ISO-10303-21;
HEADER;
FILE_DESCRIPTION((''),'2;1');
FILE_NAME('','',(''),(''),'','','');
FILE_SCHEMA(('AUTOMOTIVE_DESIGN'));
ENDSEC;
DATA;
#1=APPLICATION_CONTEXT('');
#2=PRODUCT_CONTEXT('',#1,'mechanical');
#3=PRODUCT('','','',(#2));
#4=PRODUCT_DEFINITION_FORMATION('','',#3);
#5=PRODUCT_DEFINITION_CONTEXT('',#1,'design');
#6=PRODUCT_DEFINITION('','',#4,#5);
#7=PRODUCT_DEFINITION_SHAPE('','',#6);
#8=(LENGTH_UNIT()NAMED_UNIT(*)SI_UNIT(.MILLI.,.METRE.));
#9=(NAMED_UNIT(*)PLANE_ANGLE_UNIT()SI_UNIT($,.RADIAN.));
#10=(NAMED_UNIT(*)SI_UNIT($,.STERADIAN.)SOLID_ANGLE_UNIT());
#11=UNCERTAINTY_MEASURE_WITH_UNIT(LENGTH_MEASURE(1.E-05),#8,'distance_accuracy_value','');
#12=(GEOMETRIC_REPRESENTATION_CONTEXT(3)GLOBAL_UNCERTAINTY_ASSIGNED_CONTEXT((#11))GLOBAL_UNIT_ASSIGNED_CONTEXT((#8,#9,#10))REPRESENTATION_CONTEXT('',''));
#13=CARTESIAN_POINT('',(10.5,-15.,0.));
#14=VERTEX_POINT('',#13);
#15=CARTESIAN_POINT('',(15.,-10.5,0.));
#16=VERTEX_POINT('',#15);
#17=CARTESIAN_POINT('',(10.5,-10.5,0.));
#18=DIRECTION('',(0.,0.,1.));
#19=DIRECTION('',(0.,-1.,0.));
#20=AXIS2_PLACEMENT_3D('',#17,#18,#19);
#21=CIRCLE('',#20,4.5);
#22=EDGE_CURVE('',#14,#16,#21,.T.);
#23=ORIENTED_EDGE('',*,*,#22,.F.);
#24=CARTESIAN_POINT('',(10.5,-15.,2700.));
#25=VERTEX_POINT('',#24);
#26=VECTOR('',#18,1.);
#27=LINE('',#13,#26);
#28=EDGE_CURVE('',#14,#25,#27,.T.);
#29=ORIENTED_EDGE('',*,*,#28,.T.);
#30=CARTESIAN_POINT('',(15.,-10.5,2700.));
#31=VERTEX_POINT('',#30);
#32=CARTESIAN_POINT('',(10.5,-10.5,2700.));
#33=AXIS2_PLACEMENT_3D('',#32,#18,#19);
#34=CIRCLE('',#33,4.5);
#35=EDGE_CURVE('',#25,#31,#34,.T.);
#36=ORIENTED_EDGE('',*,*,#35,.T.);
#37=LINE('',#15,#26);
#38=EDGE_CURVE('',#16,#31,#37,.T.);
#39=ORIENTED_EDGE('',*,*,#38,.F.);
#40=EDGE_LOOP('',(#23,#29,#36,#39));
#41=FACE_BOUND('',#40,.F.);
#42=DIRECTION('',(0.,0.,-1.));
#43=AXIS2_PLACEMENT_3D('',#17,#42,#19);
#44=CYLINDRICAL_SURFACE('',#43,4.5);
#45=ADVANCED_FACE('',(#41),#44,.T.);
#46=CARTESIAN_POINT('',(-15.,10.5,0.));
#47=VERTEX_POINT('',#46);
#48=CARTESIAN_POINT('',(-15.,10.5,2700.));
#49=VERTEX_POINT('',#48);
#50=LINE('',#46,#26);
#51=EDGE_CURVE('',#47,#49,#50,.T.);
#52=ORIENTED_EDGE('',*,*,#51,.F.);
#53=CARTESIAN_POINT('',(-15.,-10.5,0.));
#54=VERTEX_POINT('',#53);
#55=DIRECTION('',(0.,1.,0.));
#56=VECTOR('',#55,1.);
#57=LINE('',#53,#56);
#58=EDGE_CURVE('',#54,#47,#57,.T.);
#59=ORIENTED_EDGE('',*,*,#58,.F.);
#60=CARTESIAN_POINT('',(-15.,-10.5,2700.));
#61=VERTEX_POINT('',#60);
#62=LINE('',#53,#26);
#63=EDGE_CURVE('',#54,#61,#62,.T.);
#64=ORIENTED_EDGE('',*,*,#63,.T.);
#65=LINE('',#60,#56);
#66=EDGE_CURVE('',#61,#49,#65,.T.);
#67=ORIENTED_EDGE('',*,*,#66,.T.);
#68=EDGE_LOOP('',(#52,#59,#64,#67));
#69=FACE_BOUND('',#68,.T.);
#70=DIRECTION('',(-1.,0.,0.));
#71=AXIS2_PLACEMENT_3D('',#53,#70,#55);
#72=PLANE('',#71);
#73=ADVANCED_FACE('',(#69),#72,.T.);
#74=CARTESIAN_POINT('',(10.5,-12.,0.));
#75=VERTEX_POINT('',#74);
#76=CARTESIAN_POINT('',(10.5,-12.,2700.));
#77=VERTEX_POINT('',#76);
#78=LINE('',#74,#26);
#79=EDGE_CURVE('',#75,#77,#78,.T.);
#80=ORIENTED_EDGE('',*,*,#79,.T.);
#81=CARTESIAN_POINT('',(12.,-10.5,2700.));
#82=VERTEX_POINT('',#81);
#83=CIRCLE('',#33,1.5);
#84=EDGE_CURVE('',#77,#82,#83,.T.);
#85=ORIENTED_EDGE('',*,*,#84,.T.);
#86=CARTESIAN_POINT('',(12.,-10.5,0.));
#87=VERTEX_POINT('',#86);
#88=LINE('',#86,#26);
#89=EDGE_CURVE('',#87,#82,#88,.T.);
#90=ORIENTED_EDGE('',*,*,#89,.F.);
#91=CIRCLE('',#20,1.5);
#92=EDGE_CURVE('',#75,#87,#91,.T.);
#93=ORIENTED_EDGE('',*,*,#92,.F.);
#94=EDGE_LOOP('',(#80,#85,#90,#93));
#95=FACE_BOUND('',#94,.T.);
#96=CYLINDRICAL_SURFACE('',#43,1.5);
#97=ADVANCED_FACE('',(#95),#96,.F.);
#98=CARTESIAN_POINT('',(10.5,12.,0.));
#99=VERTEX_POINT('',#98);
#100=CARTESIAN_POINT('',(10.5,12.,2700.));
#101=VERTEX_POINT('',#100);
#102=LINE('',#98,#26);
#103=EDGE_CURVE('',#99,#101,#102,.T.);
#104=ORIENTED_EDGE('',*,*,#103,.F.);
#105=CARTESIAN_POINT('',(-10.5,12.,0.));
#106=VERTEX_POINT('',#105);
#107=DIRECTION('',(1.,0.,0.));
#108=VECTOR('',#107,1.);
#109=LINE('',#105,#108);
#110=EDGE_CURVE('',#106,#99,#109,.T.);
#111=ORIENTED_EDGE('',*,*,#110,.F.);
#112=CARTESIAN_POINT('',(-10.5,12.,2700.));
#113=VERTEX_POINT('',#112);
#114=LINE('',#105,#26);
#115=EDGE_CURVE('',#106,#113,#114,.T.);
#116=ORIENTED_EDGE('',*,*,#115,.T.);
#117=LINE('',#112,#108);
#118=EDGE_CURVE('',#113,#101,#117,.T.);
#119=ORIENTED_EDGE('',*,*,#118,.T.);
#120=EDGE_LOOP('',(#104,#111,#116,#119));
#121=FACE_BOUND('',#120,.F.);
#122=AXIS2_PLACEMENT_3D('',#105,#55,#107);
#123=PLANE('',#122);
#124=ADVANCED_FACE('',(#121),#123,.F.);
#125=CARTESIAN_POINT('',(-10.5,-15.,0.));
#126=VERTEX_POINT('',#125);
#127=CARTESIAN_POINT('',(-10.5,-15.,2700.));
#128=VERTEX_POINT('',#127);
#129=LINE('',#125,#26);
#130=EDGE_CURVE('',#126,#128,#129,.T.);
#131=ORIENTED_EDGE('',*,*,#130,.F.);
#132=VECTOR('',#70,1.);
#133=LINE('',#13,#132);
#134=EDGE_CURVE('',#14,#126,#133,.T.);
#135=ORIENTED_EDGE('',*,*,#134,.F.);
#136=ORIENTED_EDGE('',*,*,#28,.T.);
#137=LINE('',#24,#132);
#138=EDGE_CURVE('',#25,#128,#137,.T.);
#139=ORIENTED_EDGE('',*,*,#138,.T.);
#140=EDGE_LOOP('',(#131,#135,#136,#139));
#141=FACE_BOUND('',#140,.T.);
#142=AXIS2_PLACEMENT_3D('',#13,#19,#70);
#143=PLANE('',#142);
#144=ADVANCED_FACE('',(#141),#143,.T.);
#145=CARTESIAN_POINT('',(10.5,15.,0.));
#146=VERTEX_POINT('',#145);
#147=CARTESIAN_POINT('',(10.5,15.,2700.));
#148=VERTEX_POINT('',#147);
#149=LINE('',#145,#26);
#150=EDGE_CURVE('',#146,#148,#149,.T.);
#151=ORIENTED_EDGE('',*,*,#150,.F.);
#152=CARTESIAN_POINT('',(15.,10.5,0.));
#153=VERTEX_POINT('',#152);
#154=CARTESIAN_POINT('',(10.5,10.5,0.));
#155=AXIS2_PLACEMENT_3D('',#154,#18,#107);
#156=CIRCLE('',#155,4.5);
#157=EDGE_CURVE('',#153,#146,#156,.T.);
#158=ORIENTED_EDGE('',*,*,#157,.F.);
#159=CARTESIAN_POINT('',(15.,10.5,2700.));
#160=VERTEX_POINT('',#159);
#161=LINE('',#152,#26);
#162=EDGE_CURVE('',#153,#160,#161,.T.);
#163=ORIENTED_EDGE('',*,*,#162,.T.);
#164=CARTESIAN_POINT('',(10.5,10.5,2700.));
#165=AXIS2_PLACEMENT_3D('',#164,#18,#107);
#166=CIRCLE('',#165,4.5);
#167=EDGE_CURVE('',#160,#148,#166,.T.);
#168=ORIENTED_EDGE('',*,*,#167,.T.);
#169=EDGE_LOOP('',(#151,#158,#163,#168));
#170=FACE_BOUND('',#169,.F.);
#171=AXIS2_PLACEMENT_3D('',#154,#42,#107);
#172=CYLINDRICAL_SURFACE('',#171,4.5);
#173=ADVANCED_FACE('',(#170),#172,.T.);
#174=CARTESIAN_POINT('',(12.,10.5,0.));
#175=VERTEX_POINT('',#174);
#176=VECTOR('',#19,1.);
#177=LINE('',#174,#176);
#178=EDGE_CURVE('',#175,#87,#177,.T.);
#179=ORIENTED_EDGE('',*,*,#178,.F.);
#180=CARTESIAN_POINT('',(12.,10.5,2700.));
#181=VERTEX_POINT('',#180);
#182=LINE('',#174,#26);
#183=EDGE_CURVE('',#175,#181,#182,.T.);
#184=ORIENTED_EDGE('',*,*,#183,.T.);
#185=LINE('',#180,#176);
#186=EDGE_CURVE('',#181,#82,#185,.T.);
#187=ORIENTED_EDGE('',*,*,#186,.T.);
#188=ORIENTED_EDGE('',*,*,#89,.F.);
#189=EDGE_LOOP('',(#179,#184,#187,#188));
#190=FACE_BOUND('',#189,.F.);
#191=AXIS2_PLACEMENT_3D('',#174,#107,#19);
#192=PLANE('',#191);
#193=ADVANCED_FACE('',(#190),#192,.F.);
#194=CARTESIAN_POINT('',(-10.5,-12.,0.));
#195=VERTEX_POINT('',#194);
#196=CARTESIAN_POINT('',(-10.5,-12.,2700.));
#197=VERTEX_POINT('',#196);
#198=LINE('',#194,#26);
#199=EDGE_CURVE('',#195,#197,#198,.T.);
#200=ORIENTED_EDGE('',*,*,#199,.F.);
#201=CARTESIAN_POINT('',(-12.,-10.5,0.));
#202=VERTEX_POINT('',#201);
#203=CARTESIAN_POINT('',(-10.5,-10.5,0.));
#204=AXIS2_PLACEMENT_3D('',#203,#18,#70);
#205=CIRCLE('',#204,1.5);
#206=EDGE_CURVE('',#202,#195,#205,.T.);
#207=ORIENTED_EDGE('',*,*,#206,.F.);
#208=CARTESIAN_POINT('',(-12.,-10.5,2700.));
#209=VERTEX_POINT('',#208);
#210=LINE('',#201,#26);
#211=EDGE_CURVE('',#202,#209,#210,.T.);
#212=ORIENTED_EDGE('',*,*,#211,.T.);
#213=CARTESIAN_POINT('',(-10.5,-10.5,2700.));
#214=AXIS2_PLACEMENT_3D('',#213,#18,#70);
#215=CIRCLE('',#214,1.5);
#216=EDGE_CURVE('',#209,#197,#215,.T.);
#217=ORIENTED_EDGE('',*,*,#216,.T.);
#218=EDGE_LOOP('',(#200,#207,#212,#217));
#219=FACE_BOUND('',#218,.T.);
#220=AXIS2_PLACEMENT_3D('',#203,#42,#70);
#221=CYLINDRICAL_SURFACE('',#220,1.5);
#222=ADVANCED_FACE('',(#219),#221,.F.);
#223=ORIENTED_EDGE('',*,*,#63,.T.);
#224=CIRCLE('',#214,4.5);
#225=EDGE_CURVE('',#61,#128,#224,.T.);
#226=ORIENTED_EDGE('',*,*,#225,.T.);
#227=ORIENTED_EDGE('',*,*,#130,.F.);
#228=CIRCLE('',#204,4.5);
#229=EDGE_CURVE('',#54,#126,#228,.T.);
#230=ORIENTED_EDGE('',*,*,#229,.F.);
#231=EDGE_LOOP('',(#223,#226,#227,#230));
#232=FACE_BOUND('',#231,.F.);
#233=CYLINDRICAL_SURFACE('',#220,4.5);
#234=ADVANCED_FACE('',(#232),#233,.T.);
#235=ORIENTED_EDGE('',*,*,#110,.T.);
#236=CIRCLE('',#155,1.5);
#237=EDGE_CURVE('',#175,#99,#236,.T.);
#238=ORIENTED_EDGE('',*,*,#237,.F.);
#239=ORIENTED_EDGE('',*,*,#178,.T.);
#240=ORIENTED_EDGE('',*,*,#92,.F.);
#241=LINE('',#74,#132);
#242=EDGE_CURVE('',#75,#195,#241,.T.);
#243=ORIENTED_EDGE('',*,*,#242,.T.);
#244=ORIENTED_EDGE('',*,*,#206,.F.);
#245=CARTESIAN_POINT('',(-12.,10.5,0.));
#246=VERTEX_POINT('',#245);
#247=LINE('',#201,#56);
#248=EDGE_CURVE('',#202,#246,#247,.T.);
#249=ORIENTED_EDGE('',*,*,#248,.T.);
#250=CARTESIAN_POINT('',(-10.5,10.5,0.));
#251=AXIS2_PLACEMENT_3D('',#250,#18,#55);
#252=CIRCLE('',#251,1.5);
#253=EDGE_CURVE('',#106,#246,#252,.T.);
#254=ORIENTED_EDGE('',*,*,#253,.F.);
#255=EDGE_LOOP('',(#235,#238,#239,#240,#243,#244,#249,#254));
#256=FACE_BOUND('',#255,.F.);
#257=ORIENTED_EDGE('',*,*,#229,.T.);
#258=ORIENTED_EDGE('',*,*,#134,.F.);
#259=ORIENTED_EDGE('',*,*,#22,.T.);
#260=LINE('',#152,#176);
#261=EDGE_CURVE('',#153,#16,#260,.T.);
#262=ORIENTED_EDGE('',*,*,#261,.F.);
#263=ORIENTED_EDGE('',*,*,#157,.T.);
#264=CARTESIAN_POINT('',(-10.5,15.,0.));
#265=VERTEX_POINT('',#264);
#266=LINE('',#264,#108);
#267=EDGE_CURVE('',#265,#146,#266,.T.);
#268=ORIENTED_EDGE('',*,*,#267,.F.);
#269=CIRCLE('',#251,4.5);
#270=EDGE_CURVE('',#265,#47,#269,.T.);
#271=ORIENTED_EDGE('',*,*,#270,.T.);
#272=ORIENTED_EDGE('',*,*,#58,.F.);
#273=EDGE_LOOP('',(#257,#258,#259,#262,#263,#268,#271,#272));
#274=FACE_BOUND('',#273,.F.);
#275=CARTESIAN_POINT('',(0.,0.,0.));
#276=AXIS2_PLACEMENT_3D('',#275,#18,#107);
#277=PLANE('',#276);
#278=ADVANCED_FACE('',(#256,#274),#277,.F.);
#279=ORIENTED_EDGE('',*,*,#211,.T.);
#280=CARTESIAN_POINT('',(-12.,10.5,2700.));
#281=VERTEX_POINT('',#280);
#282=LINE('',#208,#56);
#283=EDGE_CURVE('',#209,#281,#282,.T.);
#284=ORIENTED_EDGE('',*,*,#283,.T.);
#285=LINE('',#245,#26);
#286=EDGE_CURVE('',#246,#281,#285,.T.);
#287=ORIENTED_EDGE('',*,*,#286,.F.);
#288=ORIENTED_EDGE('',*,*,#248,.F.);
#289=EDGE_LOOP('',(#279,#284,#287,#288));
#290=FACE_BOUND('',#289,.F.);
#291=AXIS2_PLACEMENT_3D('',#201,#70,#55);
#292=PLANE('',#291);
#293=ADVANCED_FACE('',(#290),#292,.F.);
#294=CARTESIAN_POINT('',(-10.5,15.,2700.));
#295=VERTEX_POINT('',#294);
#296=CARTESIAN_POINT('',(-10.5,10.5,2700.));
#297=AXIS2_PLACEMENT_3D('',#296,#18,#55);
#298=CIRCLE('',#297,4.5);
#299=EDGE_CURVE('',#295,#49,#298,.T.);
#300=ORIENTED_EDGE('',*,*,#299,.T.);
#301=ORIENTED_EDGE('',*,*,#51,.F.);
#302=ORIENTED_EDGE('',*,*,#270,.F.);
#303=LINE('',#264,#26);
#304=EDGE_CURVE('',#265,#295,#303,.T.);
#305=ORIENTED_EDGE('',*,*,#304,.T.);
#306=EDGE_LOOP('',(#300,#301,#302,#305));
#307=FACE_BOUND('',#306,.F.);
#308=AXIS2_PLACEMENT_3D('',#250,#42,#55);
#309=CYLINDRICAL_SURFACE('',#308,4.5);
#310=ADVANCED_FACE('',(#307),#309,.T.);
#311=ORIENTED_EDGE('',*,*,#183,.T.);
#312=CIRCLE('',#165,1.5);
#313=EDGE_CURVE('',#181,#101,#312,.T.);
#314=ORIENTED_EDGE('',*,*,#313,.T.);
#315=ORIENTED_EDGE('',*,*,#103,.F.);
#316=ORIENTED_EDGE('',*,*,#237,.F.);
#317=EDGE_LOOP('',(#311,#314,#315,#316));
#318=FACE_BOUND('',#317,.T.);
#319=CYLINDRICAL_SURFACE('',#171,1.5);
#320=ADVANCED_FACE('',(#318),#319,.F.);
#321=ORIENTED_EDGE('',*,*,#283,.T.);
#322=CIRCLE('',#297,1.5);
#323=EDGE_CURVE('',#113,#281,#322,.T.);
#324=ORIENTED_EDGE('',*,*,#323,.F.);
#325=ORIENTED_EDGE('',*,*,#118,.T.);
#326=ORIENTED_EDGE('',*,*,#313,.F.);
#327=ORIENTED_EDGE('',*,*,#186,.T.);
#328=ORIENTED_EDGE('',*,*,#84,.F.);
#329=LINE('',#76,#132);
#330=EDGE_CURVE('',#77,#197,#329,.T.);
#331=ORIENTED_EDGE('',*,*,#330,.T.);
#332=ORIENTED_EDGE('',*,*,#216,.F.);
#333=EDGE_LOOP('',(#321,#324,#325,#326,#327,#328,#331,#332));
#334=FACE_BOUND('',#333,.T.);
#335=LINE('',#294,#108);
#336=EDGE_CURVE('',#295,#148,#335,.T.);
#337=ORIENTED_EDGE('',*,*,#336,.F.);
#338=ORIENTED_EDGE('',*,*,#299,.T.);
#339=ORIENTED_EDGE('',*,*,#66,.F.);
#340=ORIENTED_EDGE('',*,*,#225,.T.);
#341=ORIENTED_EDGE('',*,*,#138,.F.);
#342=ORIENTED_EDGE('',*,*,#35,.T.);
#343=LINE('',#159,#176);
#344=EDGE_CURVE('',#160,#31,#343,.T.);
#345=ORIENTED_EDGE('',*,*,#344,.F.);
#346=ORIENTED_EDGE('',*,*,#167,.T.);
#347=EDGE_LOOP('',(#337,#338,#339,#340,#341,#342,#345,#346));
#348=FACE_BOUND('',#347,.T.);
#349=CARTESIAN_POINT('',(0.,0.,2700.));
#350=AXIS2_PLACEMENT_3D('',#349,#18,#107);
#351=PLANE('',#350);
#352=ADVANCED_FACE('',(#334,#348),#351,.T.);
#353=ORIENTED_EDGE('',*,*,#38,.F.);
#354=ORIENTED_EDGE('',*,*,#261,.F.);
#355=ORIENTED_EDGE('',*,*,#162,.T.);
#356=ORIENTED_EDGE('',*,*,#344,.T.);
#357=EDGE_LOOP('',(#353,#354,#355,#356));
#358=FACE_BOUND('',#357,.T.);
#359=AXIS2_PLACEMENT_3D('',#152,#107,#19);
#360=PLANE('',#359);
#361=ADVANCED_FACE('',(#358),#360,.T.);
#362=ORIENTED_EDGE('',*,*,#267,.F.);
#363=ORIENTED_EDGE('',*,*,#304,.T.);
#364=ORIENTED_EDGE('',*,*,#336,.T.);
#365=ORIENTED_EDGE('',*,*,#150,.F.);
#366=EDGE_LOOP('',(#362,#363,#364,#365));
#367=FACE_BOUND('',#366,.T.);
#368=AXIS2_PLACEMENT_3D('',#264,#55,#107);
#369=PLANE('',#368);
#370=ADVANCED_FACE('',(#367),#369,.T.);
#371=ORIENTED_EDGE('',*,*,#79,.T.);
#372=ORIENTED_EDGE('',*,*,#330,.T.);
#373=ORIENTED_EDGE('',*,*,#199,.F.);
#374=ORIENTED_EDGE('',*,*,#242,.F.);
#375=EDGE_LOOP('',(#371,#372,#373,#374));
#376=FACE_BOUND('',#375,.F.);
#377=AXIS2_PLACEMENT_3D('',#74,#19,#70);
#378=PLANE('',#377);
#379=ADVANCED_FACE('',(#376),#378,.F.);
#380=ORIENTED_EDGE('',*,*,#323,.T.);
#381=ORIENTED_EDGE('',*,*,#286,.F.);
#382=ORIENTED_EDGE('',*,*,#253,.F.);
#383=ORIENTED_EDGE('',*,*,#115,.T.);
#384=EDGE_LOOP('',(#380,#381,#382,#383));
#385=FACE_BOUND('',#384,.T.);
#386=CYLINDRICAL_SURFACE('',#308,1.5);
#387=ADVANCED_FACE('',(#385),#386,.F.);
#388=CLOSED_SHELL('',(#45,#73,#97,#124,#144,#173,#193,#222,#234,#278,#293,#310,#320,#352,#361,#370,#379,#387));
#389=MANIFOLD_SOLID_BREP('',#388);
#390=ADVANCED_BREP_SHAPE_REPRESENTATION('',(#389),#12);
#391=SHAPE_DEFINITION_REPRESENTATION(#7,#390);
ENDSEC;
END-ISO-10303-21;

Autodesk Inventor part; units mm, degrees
ref_plane "YZ Plane" through (0, 0, 0) normal (1, 0, 0) x (0, 1, 0)
ref_plane "Plano inicial" through (0, 0, 0) normal (0, 0, 1) x (1, 0, 0)
ref_plane "Plano final" through (0, 0, 2700) normal (0, 0, 1) x (1, 0, 0)
sketch "Rascunho" plane through (0, 0, 0) normal (0, 0, 1) x (1, 0, 0)
  line L0 (-15, -10.5) -> (-15, 10.5)
  line L1 (-10.5, 15) -> (10.5, 15)
  line L2 (15, 10.5) -> (15, -10.5)
  line L3 (10.5, -15) -> (-10.5, -15)
  arc A0 (-15, -10.5) -> (-10.5, -15) centre (-10.5, -10.5) ccw
  arc A1 (-10.5, 15) -> (-15, 10.5) centre (-10.5, 10.5) ccw
  arc A2 (15, 10.5) -> (10.5, 15) centre (10.5, 10.5) ccw
  arc A3 (10.5, -15) -> (15, -10.5) centre (10.5, -10.5) ccw
  arc A4 (-10.5, 12) -> (-12, 10.5) centre (-10.5, 10.5) ccw
  line L4 (-10.5, 12) -> (10.5, 12)
  arc A5 (12, 10.5) -> (10.5, 12) centre (10.5, 10.5) ccw
  line L5 (12, 10.5) -> (12, -10.5)
  arc A6 (10.5, -12) -> (12, -10.5) centre (10.5, -10.5) ccw
  line L6 (10.5, -12) -> (-10.5, -12)
  arc A7 (-12, -10.5) -> (-10.5, -12) centre (-10.5, -10.5) ccw
  line L7 (-12, -10.5) -> (-12, 10.5)
  line L8 (0, 37.1021) -> (0, -37.1021) construction
  line L9 (-23.1021, 0) -> (23.1021, 0) construction
  dimension "d7" = 4.5
  dimension "d10" = 30
  dimension "d11" = 30
  dimension "d12" = 3
  dimension "d15" = 15
  dimension "d16" = 15
extrude "Corpo" add sketch "Rascunho" along normal up to surface (2700 mm away) from surface at 0
sketch "Sketch3" plane through (0, 0, 0) normal (0, 0, 1) x (1, 0, 0)
  line L0 (0, 0) -> (10, 0)
ref_plane "Work Plane3" through (0, 0, 0) normal (0, -1, 0) x (1, 0, 0)
sketch "Sketch4" plane through (0, 0, 0) normal (0, -1, 0) x (1, 0, 0)
  line L0 (-2, 0) -> (12, 0) projected
  line L1 (-2, 2700) -> (12, 2700) projected
  dimension "d18" = 2700
equation "\"d7\" = G_IR"
equation "\"d10\" = G_H"
equation "\"d11\" = G_W"
equation "\"d12\" = G_T"
equation "\"d15\" = 0.5 * d10"
equation "\"d16\" = 0.5 * d11"
equation "\"d3\" = G_L"
equation "\"G_W\" = 30"
equation "\"G_H\" = 30"
equation "\"G_T\" = 3"
equation "\"G_IR\" = 4.5"
equation "\"G_L\" = d18"
equation "\"G_OFFSET_START\" = 0"
equation "\"G_OFFSET_END\" = 0"
properties part number "ISO 12633-2 - 30x30x3 - 2700" material "Aço, suave"
